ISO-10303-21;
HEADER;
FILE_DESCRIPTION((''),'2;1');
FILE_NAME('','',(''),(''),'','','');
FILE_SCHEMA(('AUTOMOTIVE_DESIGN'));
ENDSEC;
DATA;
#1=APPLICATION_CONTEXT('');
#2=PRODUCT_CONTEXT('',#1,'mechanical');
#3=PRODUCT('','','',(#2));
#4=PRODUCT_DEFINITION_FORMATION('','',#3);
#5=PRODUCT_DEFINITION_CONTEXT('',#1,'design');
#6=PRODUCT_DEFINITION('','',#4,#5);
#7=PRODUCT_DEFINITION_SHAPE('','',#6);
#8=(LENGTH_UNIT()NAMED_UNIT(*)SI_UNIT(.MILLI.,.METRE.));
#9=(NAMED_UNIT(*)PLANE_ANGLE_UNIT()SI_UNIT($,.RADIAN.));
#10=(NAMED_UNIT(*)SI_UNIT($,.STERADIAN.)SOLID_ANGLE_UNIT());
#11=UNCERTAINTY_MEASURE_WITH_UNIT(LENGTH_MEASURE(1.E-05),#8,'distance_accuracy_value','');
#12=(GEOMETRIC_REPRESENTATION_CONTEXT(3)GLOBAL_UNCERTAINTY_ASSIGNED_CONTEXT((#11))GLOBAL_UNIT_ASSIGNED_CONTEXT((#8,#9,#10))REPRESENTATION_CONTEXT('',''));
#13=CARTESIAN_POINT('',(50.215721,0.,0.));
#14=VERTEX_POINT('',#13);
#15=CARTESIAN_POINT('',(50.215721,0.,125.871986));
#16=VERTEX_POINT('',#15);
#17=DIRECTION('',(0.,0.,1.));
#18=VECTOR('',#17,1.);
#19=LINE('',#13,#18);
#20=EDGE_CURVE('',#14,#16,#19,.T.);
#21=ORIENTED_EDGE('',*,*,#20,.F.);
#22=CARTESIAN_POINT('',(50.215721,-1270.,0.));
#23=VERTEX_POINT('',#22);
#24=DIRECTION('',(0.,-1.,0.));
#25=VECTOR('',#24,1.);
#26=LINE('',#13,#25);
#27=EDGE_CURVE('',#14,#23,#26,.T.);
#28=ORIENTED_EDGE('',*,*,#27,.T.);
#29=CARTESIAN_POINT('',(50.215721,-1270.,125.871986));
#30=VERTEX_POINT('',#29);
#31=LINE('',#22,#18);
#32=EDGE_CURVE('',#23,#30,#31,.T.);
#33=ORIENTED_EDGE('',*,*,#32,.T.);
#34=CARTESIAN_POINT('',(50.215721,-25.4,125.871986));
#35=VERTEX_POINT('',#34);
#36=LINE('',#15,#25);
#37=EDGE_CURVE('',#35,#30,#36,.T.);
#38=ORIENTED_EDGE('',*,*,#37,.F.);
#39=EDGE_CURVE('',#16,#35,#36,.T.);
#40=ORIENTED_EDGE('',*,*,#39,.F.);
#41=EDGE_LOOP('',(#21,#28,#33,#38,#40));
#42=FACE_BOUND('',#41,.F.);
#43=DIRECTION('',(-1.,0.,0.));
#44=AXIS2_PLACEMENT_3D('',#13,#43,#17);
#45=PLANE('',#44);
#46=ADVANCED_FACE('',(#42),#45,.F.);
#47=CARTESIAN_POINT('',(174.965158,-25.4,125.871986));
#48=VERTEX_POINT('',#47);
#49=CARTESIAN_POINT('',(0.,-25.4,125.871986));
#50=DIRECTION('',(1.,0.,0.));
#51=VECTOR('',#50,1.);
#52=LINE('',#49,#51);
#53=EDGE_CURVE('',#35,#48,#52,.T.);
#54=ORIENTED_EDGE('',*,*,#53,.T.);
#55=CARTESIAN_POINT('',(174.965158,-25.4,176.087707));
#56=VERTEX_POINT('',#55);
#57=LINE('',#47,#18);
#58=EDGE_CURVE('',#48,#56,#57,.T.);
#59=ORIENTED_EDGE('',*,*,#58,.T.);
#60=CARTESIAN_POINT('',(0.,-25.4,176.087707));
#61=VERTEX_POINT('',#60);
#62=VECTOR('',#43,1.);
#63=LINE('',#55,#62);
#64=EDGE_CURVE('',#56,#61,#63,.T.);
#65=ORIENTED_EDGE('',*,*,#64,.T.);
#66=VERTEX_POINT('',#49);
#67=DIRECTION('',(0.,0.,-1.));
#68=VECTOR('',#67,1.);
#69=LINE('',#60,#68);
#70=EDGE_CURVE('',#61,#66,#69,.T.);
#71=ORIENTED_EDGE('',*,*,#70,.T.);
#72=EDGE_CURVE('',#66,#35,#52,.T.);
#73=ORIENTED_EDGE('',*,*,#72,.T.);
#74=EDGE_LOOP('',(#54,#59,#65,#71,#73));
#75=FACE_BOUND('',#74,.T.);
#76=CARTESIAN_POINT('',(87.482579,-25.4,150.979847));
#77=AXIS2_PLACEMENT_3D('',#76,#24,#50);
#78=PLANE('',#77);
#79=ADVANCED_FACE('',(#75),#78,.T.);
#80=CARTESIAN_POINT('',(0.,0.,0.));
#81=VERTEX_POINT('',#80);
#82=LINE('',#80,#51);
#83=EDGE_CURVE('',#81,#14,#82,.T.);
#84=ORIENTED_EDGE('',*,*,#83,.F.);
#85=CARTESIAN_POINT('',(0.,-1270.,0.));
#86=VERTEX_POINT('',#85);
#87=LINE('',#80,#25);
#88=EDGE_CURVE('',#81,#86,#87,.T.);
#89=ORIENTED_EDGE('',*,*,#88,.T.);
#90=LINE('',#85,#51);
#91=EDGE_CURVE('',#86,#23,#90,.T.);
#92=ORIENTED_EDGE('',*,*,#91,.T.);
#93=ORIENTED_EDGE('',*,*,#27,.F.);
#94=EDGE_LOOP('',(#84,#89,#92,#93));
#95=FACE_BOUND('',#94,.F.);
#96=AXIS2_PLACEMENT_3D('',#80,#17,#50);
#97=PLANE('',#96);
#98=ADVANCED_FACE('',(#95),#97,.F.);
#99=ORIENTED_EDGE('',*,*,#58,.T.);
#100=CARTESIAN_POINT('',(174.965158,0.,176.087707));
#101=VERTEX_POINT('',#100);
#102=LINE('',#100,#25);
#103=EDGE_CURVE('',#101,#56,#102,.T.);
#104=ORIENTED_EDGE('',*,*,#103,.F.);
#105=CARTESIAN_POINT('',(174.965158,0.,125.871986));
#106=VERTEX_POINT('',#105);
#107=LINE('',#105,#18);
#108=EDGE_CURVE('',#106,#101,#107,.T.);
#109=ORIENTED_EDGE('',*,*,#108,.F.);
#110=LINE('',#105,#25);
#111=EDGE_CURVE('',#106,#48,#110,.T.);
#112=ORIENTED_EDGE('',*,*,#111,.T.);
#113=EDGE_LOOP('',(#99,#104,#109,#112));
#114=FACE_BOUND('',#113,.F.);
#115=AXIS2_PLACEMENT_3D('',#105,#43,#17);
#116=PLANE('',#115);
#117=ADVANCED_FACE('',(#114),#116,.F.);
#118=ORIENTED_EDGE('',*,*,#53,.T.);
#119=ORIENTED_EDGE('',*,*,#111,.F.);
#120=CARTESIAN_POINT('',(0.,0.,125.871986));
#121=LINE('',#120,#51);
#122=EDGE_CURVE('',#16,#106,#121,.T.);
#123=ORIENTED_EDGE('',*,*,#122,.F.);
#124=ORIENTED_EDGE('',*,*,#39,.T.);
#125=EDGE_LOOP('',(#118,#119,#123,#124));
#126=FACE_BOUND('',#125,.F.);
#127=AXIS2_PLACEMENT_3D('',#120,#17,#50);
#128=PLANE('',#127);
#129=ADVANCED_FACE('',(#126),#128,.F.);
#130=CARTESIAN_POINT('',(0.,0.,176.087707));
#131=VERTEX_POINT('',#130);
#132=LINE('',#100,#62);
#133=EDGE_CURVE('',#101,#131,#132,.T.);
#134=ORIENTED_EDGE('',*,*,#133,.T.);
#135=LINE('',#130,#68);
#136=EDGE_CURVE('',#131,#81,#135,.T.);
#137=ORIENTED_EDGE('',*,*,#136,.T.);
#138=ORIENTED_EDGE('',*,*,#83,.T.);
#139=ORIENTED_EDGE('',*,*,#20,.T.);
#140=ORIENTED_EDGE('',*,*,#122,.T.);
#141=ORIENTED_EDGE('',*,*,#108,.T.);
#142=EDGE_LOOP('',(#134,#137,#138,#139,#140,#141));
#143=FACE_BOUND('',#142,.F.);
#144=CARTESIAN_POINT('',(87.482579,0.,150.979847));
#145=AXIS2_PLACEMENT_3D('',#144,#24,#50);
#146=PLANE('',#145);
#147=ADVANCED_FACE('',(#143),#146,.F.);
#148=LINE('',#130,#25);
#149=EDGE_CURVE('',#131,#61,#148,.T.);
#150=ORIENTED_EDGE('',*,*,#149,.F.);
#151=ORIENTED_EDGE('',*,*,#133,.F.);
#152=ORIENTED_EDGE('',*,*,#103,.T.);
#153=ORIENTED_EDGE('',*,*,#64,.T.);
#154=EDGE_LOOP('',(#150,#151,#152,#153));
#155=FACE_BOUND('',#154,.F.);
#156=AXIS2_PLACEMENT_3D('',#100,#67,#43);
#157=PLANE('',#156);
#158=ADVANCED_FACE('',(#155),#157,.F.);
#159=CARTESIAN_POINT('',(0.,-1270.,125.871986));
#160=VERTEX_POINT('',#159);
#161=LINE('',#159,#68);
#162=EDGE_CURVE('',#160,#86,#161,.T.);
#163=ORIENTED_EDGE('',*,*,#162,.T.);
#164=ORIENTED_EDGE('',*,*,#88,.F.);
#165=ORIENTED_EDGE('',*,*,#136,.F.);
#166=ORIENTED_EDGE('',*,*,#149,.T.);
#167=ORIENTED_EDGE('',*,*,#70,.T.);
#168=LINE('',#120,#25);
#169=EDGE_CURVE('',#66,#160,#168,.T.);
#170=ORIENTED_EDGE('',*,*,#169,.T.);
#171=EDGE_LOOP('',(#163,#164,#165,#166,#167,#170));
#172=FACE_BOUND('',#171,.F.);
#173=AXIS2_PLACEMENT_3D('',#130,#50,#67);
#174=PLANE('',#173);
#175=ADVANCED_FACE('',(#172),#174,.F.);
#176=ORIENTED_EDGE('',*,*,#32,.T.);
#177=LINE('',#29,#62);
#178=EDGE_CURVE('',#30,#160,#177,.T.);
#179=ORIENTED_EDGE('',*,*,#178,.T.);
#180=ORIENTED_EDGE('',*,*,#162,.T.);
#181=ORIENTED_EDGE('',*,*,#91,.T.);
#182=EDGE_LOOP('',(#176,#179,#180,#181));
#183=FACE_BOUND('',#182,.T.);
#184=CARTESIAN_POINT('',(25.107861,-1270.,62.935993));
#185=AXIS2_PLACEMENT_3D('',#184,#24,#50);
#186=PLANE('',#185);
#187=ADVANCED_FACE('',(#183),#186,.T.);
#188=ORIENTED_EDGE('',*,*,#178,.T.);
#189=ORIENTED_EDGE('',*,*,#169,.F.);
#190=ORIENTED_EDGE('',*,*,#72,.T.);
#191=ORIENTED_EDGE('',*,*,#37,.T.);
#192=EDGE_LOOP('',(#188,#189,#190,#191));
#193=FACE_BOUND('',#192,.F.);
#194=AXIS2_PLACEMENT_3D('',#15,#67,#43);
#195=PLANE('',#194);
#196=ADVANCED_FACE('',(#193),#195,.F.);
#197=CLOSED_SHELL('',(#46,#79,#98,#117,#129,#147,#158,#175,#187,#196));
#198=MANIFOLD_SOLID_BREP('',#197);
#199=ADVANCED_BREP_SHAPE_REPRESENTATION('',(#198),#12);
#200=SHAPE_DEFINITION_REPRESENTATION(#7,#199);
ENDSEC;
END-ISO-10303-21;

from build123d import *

# Parameters (mm, degrees)
F1_DEPTH = 1270
F2_DEPTH = 25.4


with BuildPart() as f1:
    # F0 (on Front) → F1 (new body)
    with BuildSketch(Plane.XZ):
        Polygon((0, 125.871986), (0, 0), (50.215721, 0), (50.215721, 64.304269), (50.215721, 125.871986), align=None)
    extrude(amount=F1_DEPTH)

    # F0 (on Front) → F2 (join)
    with BuildSketch(Plane.XZ):
        Polygon((0, 176.087707), (0, 125.871986), (50.215721, 125.871986), (174.965158, 125.871986), (174.965158, 176.087707), align=None)
    extrude(amount=F2_DEPTH)


solid = f1.part
